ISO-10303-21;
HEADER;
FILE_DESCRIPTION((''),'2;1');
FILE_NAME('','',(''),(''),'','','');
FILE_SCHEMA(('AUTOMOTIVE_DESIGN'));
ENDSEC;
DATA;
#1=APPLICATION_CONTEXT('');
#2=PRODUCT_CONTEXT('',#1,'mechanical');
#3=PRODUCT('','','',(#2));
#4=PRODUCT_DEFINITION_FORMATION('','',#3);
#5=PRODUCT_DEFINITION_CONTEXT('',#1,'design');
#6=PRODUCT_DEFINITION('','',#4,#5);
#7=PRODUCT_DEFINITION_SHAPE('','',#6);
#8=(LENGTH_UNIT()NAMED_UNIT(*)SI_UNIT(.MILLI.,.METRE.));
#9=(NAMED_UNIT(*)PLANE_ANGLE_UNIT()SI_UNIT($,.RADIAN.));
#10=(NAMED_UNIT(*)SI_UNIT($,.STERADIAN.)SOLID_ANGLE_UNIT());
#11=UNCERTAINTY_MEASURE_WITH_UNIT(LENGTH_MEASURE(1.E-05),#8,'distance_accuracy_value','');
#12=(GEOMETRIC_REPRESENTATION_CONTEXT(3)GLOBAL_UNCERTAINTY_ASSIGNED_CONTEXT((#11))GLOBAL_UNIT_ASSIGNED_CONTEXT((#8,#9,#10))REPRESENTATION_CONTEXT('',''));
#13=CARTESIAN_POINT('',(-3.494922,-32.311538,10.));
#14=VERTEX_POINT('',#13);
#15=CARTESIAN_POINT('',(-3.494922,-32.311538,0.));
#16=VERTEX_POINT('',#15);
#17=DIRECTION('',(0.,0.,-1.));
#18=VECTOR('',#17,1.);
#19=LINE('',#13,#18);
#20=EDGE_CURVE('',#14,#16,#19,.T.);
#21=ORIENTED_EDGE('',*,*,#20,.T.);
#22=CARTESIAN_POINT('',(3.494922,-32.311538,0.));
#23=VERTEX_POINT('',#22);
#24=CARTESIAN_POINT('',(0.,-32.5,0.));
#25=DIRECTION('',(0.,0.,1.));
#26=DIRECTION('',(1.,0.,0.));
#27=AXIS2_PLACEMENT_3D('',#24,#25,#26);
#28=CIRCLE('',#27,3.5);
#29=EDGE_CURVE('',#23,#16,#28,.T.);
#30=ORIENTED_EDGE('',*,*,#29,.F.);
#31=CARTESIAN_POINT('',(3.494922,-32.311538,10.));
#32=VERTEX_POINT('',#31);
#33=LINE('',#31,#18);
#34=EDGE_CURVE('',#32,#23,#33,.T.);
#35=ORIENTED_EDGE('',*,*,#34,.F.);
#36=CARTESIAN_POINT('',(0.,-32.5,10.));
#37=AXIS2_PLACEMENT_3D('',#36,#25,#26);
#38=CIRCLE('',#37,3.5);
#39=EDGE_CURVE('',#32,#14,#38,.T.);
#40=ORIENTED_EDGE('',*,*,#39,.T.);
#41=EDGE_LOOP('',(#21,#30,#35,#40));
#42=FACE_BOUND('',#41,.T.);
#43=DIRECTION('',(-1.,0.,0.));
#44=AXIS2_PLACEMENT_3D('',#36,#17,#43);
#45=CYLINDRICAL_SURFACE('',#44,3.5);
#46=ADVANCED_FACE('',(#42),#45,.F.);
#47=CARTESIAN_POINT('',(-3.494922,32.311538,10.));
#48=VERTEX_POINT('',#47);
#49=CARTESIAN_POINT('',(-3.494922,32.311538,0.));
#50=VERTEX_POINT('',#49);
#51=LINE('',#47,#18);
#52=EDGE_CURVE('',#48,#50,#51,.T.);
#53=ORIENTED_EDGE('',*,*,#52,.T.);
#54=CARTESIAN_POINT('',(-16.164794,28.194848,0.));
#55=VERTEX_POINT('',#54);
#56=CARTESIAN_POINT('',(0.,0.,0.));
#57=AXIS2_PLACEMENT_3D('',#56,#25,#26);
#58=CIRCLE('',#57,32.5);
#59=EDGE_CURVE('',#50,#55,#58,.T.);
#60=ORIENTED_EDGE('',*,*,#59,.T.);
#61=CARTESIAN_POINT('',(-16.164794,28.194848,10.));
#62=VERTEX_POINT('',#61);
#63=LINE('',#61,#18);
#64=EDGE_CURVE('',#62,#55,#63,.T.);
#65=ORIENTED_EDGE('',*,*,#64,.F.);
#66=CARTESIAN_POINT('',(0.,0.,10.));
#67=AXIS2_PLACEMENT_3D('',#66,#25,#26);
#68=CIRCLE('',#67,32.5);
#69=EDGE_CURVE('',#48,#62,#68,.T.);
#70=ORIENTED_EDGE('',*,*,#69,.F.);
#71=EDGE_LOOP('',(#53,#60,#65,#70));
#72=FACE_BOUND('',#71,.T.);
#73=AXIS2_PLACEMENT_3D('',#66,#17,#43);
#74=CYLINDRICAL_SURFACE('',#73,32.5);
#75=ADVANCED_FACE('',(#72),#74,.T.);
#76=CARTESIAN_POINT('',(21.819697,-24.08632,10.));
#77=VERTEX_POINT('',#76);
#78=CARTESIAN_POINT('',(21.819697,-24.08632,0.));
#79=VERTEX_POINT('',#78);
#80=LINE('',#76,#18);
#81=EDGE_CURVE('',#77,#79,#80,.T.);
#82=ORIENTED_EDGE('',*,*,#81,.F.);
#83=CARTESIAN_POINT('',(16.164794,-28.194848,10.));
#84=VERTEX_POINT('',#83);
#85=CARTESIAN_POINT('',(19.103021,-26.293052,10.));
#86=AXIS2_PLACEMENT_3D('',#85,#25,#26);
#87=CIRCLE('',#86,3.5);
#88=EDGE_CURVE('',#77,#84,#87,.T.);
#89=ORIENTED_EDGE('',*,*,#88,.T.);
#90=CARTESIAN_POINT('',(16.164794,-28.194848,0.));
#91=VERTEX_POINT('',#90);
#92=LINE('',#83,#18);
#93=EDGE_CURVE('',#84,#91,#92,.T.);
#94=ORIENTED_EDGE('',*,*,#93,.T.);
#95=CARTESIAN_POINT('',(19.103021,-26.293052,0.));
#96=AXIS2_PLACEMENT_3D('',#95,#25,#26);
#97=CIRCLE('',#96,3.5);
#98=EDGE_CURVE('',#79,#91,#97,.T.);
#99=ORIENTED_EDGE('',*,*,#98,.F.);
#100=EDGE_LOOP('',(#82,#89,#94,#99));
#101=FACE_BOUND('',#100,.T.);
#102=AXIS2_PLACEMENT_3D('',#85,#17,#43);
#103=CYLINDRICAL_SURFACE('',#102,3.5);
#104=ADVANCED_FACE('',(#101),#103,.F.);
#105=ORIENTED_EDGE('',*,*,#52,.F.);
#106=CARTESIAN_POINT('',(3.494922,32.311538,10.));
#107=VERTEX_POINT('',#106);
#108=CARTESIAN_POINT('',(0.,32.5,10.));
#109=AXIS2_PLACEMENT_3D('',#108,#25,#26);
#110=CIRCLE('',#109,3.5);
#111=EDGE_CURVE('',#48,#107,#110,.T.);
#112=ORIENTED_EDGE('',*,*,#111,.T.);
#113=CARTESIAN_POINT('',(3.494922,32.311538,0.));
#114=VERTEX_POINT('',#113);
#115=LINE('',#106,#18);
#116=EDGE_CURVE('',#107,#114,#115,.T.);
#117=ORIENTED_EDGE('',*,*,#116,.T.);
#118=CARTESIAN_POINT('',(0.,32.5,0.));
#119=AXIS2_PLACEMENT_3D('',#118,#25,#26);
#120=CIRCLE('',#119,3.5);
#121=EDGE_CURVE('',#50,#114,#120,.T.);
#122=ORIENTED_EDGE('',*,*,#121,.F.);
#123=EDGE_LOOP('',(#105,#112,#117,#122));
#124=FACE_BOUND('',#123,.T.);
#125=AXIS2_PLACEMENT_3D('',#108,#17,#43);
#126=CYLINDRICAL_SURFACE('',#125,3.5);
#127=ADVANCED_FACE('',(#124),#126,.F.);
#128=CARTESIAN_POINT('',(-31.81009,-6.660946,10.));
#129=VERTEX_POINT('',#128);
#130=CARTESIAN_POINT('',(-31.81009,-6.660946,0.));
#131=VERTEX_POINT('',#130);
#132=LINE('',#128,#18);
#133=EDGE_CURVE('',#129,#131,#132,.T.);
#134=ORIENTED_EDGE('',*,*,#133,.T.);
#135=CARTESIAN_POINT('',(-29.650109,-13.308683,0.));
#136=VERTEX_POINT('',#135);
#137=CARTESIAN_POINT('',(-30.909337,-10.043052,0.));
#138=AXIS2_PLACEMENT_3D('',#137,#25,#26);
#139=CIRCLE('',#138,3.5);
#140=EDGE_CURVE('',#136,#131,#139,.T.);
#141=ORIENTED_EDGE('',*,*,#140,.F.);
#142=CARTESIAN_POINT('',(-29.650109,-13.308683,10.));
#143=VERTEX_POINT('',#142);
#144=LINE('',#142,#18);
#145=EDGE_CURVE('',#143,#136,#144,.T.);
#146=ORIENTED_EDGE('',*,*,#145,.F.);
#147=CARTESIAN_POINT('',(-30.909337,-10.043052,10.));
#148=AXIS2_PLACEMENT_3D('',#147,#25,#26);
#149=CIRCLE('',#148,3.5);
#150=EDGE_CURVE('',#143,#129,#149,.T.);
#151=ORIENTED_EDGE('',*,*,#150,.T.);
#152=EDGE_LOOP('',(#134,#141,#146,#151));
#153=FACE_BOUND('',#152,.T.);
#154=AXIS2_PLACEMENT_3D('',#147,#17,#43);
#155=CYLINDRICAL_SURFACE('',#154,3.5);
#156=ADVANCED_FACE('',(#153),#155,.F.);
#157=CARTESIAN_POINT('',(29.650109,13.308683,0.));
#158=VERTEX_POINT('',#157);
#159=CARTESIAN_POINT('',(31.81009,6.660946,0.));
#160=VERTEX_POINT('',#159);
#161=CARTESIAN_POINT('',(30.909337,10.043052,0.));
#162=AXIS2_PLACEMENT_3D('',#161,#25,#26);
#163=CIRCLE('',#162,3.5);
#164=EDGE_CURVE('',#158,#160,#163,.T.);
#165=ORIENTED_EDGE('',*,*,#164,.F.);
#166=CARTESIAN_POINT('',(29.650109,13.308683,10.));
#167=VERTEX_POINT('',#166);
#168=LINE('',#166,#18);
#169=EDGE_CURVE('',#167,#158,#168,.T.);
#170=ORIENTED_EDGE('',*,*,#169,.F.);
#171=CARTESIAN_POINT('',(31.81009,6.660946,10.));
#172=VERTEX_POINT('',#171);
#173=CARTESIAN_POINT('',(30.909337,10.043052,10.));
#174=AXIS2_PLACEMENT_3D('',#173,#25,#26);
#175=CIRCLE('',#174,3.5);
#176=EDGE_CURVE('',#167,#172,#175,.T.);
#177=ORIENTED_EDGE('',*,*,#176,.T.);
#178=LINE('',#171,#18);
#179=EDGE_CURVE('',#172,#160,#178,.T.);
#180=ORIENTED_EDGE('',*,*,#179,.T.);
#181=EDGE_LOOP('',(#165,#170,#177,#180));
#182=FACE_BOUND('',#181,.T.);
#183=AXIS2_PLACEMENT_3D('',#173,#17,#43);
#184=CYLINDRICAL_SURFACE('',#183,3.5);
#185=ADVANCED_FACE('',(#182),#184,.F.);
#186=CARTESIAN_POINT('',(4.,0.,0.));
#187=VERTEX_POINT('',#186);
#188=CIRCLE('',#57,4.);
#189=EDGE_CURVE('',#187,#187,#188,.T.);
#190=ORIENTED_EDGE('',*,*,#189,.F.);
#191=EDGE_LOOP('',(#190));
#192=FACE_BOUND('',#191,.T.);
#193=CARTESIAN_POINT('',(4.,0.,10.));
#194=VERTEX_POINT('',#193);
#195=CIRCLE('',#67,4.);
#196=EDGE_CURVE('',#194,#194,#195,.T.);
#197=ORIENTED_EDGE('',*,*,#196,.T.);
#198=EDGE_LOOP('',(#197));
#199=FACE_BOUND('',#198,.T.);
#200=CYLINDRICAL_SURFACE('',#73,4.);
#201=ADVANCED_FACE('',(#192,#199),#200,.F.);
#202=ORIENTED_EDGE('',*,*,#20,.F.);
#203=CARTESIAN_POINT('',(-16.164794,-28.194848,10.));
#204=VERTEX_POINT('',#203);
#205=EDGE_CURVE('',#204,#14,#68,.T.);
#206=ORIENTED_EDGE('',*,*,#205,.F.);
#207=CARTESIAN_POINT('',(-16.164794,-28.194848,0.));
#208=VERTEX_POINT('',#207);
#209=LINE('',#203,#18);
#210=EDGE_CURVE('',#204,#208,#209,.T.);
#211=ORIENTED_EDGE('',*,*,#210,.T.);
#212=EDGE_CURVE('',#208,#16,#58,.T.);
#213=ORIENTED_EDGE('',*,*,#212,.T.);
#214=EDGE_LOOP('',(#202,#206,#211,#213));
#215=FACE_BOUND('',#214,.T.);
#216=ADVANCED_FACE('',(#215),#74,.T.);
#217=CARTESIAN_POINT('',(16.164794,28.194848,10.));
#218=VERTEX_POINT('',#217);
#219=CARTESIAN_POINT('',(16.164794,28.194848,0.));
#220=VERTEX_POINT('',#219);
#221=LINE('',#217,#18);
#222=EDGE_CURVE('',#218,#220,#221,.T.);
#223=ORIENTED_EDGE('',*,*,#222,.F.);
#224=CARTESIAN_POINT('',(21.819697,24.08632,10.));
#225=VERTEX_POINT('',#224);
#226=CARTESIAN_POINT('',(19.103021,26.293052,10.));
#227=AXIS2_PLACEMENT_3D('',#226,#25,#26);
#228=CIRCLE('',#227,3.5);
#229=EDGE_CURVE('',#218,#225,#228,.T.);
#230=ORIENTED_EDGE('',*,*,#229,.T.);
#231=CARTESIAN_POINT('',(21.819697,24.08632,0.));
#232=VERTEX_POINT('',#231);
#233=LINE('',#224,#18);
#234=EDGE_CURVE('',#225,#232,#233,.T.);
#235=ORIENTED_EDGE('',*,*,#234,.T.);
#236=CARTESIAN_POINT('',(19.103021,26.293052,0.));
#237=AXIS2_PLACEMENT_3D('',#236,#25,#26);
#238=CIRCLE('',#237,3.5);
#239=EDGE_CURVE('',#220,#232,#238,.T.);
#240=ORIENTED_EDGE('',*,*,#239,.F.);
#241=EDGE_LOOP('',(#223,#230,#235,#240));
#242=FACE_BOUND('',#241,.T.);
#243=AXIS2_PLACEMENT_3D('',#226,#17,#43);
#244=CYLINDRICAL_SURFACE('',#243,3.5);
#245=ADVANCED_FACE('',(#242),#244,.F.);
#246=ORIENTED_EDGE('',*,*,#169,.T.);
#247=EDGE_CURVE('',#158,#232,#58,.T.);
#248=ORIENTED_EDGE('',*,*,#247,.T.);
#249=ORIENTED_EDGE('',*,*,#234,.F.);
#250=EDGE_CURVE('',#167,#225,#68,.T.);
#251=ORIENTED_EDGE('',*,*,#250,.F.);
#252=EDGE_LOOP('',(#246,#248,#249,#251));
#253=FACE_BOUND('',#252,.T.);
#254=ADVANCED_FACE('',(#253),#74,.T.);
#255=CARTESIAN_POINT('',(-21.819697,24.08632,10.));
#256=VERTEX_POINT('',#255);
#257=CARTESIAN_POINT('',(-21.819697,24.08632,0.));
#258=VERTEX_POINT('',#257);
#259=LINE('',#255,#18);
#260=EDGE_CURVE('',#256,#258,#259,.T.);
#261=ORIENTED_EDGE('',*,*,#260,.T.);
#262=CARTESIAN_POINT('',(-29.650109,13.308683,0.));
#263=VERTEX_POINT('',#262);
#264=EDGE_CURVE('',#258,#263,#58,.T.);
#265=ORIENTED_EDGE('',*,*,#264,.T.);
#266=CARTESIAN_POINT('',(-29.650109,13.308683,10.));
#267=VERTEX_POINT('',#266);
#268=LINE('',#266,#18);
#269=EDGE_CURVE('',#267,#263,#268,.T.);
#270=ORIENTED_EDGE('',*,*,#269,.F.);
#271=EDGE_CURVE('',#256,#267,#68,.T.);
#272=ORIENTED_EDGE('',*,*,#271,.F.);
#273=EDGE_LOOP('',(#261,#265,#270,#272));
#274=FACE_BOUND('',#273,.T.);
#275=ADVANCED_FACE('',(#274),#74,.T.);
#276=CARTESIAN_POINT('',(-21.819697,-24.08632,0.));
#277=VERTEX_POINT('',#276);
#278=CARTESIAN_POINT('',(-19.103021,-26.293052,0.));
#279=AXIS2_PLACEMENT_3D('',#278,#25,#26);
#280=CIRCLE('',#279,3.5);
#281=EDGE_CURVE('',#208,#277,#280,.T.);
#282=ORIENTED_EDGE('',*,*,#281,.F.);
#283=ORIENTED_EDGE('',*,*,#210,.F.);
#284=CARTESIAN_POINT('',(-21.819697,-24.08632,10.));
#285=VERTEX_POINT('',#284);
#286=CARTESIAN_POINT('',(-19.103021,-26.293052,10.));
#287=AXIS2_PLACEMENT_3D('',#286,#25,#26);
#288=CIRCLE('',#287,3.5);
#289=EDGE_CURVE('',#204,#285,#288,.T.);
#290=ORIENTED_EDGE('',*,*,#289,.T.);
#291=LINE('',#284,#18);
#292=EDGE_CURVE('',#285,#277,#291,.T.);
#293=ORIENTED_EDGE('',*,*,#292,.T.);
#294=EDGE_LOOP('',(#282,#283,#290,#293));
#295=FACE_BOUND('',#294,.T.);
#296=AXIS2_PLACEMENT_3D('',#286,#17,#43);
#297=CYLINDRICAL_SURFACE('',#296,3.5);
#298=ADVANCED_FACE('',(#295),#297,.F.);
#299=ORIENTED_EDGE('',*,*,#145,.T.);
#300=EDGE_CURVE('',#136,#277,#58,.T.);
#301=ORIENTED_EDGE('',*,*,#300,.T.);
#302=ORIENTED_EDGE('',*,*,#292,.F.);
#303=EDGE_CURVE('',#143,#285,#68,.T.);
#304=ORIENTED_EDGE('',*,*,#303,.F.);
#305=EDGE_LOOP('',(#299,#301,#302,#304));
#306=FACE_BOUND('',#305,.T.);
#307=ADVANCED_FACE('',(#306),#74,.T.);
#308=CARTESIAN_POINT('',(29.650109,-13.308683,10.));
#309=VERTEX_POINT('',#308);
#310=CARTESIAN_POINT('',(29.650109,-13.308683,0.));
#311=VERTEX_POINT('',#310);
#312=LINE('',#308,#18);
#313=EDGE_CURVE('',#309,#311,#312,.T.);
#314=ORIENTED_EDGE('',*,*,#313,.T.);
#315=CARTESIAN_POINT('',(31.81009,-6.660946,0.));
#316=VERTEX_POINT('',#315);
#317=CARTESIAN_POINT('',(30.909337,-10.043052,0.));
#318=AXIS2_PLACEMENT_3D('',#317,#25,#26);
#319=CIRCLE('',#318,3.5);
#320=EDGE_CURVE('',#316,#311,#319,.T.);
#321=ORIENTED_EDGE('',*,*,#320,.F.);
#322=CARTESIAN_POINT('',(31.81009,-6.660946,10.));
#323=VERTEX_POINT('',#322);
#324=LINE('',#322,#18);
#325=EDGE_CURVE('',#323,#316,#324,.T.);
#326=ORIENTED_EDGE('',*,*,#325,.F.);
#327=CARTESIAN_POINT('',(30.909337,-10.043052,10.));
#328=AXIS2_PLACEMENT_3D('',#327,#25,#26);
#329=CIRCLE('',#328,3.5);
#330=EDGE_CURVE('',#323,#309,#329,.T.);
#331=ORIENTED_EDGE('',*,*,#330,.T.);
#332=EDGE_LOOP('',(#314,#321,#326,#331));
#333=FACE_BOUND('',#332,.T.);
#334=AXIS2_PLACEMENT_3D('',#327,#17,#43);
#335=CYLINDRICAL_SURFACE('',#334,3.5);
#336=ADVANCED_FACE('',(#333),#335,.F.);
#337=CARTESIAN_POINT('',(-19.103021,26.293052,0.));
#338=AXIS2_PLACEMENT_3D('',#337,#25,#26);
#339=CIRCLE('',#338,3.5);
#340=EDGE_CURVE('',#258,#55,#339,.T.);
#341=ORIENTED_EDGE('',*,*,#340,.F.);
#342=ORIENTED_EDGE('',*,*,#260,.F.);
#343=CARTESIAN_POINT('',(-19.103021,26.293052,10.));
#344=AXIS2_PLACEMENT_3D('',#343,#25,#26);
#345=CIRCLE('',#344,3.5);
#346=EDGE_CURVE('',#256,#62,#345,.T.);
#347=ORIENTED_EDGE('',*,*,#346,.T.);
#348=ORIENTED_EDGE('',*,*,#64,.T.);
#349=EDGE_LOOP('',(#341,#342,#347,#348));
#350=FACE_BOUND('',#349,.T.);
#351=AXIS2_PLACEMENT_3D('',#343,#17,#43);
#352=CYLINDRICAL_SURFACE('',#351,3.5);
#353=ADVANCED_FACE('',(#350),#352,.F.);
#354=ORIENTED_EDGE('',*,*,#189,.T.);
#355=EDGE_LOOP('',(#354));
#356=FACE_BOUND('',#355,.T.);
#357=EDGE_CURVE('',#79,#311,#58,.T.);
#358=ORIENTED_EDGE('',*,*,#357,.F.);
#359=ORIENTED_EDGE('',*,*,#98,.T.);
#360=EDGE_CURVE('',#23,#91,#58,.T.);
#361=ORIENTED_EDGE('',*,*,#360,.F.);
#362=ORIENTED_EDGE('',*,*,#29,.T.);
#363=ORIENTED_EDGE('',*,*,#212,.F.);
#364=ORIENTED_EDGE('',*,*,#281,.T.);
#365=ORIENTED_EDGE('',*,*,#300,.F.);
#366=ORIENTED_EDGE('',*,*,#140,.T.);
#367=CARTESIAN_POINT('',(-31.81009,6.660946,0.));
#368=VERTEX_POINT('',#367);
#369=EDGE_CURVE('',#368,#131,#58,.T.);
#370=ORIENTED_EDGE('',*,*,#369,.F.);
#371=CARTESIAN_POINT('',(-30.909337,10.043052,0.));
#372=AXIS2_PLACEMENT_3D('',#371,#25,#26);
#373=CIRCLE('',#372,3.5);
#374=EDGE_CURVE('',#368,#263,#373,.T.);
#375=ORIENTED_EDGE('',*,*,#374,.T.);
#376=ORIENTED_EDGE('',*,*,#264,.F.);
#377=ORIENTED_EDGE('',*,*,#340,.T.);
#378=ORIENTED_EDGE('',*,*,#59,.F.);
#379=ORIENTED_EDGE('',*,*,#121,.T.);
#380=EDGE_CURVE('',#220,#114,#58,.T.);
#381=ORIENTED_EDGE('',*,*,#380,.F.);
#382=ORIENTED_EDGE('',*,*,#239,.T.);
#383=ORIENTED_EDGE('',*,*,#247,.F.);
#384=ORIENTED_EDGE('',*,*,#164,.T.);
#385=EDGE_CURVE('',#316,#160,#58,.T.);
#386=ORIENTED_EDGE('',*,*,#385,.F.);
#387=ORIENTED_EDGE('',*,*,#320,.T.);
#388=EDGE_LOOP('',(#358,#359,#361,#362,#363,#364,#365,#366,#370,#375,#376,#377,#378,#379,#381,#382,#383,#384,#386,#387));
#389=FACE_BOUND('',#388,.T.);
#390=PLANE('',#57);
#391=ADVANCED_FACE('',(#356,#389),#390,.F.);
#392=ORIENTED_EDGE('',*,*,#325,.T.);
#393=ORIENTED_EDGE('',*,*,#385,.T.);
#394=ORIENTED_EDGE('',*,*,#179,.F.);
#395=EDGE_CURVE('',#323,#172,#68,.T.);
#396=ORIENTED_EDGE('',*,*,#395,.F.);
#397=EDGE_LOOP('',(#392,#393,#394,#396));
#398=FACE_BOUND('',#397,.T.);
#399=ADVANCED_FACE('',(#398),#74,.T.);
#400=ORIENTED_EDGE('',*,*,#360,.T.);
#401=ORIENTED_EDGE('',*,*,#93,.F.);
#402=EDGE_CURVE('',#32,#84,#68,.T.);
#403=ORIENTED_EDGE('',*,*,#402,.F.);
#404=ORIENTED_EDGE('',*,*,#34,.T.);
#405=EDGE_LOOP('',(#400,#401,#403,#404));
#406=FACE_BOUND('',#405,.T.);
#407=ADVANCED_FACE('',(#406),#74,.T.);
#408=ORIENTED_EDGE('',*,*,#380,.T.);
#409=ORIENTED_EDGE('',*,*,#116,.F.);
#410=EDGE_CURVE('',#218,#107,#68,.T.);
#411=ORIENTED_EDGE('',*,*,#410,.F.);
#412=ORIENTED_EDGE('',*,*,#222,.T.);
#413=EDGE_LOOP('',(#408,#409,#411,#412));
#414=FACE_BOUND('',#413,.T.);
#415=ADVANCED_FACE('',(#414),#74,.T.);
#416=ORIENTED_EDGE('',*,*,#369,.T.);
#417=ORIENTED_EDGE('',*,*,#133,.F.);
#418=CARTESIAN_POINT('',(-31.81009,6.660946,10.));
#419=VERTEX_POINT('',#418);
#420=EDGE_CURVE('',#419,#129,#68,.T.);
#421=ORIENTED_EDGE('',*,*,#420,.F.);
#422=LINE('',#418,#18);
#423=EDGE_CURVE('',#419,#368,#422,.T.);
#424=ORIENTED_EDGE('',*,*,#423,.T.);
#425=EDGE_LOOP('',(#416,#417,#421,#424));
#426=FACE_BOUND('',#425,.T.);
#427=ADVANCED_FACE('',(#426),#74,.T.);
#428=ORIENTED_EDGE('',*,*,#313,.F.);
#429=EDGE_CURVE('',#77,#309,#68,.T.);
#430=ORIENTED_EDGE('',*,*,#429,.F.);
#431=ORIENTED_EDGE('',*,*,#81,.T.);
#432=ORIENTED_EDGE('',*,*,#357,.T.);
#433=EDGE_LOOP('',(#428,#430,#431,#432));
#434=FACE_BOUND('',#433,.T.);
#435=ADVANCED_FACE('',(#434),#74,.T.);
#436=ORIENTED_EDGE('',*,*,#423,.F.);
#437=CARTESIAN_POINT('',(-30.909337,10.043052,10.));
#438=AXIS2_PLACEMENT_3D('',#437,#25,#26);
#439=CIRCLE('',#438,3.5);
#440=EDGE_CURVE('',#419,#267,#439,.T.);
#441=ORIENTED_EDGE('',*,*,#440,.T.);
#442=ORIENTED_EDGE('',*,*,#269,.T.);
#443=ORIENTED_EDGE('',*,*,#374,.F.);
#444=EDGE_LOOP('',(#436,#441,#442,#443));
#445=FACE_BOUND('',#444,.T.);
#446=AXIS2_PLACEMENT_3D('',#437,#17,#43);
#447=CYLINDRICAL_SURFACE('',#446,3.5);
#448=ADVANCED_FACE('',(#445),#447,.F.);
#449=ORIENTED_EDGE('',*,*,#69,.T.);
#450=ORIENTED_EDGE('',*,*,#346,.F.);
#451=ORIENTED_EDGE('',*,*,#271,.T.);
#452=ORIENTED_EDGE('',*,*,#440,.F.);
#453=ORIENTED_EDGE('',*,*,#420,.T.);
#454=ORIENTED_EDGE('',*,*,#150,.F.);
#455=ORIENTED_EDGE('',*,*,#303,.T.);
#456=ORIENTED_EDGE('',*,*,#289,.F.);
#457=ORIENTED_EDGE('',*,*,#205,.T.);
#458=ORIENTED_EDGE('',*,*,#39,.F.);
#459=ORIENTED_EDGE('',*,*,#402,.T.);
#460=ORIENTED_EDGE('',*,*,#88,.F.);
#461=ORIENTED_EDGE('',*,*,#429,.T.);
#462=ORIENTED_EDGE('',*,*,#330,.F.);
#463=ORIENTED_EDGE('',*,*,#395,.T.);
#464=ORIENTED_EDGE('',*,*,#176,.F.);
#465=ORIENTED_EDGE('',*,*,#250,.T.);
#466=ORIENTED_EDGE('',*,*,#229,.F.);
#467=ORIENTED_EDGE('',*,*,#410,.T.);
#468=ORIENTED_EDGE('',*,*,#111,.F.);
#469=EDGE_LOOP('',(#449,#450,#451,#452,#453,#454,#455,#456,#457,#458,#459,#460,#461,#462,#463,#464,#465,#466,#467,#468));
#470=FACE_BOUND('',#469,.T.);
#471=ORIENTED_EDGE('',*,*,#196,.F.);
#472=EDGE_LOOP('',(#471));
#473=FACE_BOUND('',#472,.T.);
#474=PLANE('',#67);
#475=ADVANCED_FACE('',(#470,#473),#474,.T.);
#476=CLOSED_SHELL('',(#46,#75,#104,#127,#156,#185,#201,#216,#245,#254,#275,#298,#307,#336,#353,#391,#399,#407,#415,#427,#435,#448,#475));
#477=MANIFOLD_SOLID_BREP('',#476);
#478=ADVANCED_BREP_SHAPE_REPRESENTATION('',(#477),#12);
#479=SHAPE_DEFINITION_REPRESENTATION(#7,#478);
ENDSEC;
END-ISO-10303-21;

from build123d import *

# Parameters (mm, degrees)
CROQUIS1_R              = 4
SALIENTE_EXTRUIR1_DEPTH = 10


with BuildPart() as part:
    # Croquis1 → Saliente-Extruir1 (new body)
    with BuildSketch(Plane.XY):
        with BuildLine():
            ThreePointArc((-29.650108804, -13.308683176), (-27.580638973, -8.961492837), (-31.810089606, -6.660945822))
            ThreePointArc((-31.810089606, -6.660945822), (-32.5, 0), (-31.810089606, 6.660945822))
            ThreePointArc((-31.810089606, 6.660945822), (-27.580638973, 8.961492837), (-29.650108804, 13.308683176))
            ThreePointArc((-29.650108804, 13.308683176), (-26.293052317, 19.1030207), (-21.819697364, 24.086319913))
            ThreePointArc((-21.819697364, 24.086319913), (-17.045772316, 23.461492837), (-16.16479421, 28.194847546))
            ThreePointArc((-16.16479421, 28.194847546), (-10.043052317, 30.90933678), (-3.494922352, 32.311538462))
            ThreePointArc((-3.494922352, 32.311538462), (0, 29), (3.494922352, 32.311538462))
            ThreePointArc((3.494922352, 32.311538462), (10.043052317, 30.90933678), (16.16479421, 28.194847546))
            ThreePointArc((16.16479421, 28.194847546), (17.045772316, 23.461492837), (21.819697364, 24.086319913))
            ThreePointArc((21.819697364, 24.086319913), (26.293052317, 19.1030207), (29.650108804, 13.308683176))
            ThreePointArc((29.650108804, 13.308683176), (27.580638973, 8.961492837), (31.810089606, 6.660945822))
            ThreePointArc((31.810089606, 6.660945822), (32.5, 0), (31.810089606, -6.660945822))
            ThreePointArc((31.810089606, -6.660945822), (27.580638973, -8.961492837), (29.650108804, -13.308683176))
            ThreePointArc((29.650108804, -13.308683176), (26.293052317, -19.1030207), (21.819697364, -24.086319913))
            ThreePointArc((21.819697364, -24.086319913), (17.045772316, -23.461492837), (16.16479421, -28.194847546))
            ThreePointArc((16.16479421, -28.194847546), (10.043052317, -30.90933678), (3.494922352, -32.311538462))
            ThreePointArc((3.494922352, -32.311538462), (0, -29), (-3.494922352, -32.311538462))
            ThreePointArc((-3.494922352, -32.311538462), (-10.043052317, -30.90933678), (-16.16479421, -28.194847546))
            ThreePointArc((-16.16479421, -28.194847546), (-17.045772316, -23.461492837), (-21.819697364, -24.086319913))
            ThreePointArc((-21.819697364, -24.086319913), (-26.293052317, -19.1030207), (-29.650108804, -13.308683176))
        make_face()
        Circle(CROQUIS1_R, mode=Mode.SUBTRACT)
    extrude(amount=SALIENTE_EXTRUIR1_DEPTH)


solid = part.part
